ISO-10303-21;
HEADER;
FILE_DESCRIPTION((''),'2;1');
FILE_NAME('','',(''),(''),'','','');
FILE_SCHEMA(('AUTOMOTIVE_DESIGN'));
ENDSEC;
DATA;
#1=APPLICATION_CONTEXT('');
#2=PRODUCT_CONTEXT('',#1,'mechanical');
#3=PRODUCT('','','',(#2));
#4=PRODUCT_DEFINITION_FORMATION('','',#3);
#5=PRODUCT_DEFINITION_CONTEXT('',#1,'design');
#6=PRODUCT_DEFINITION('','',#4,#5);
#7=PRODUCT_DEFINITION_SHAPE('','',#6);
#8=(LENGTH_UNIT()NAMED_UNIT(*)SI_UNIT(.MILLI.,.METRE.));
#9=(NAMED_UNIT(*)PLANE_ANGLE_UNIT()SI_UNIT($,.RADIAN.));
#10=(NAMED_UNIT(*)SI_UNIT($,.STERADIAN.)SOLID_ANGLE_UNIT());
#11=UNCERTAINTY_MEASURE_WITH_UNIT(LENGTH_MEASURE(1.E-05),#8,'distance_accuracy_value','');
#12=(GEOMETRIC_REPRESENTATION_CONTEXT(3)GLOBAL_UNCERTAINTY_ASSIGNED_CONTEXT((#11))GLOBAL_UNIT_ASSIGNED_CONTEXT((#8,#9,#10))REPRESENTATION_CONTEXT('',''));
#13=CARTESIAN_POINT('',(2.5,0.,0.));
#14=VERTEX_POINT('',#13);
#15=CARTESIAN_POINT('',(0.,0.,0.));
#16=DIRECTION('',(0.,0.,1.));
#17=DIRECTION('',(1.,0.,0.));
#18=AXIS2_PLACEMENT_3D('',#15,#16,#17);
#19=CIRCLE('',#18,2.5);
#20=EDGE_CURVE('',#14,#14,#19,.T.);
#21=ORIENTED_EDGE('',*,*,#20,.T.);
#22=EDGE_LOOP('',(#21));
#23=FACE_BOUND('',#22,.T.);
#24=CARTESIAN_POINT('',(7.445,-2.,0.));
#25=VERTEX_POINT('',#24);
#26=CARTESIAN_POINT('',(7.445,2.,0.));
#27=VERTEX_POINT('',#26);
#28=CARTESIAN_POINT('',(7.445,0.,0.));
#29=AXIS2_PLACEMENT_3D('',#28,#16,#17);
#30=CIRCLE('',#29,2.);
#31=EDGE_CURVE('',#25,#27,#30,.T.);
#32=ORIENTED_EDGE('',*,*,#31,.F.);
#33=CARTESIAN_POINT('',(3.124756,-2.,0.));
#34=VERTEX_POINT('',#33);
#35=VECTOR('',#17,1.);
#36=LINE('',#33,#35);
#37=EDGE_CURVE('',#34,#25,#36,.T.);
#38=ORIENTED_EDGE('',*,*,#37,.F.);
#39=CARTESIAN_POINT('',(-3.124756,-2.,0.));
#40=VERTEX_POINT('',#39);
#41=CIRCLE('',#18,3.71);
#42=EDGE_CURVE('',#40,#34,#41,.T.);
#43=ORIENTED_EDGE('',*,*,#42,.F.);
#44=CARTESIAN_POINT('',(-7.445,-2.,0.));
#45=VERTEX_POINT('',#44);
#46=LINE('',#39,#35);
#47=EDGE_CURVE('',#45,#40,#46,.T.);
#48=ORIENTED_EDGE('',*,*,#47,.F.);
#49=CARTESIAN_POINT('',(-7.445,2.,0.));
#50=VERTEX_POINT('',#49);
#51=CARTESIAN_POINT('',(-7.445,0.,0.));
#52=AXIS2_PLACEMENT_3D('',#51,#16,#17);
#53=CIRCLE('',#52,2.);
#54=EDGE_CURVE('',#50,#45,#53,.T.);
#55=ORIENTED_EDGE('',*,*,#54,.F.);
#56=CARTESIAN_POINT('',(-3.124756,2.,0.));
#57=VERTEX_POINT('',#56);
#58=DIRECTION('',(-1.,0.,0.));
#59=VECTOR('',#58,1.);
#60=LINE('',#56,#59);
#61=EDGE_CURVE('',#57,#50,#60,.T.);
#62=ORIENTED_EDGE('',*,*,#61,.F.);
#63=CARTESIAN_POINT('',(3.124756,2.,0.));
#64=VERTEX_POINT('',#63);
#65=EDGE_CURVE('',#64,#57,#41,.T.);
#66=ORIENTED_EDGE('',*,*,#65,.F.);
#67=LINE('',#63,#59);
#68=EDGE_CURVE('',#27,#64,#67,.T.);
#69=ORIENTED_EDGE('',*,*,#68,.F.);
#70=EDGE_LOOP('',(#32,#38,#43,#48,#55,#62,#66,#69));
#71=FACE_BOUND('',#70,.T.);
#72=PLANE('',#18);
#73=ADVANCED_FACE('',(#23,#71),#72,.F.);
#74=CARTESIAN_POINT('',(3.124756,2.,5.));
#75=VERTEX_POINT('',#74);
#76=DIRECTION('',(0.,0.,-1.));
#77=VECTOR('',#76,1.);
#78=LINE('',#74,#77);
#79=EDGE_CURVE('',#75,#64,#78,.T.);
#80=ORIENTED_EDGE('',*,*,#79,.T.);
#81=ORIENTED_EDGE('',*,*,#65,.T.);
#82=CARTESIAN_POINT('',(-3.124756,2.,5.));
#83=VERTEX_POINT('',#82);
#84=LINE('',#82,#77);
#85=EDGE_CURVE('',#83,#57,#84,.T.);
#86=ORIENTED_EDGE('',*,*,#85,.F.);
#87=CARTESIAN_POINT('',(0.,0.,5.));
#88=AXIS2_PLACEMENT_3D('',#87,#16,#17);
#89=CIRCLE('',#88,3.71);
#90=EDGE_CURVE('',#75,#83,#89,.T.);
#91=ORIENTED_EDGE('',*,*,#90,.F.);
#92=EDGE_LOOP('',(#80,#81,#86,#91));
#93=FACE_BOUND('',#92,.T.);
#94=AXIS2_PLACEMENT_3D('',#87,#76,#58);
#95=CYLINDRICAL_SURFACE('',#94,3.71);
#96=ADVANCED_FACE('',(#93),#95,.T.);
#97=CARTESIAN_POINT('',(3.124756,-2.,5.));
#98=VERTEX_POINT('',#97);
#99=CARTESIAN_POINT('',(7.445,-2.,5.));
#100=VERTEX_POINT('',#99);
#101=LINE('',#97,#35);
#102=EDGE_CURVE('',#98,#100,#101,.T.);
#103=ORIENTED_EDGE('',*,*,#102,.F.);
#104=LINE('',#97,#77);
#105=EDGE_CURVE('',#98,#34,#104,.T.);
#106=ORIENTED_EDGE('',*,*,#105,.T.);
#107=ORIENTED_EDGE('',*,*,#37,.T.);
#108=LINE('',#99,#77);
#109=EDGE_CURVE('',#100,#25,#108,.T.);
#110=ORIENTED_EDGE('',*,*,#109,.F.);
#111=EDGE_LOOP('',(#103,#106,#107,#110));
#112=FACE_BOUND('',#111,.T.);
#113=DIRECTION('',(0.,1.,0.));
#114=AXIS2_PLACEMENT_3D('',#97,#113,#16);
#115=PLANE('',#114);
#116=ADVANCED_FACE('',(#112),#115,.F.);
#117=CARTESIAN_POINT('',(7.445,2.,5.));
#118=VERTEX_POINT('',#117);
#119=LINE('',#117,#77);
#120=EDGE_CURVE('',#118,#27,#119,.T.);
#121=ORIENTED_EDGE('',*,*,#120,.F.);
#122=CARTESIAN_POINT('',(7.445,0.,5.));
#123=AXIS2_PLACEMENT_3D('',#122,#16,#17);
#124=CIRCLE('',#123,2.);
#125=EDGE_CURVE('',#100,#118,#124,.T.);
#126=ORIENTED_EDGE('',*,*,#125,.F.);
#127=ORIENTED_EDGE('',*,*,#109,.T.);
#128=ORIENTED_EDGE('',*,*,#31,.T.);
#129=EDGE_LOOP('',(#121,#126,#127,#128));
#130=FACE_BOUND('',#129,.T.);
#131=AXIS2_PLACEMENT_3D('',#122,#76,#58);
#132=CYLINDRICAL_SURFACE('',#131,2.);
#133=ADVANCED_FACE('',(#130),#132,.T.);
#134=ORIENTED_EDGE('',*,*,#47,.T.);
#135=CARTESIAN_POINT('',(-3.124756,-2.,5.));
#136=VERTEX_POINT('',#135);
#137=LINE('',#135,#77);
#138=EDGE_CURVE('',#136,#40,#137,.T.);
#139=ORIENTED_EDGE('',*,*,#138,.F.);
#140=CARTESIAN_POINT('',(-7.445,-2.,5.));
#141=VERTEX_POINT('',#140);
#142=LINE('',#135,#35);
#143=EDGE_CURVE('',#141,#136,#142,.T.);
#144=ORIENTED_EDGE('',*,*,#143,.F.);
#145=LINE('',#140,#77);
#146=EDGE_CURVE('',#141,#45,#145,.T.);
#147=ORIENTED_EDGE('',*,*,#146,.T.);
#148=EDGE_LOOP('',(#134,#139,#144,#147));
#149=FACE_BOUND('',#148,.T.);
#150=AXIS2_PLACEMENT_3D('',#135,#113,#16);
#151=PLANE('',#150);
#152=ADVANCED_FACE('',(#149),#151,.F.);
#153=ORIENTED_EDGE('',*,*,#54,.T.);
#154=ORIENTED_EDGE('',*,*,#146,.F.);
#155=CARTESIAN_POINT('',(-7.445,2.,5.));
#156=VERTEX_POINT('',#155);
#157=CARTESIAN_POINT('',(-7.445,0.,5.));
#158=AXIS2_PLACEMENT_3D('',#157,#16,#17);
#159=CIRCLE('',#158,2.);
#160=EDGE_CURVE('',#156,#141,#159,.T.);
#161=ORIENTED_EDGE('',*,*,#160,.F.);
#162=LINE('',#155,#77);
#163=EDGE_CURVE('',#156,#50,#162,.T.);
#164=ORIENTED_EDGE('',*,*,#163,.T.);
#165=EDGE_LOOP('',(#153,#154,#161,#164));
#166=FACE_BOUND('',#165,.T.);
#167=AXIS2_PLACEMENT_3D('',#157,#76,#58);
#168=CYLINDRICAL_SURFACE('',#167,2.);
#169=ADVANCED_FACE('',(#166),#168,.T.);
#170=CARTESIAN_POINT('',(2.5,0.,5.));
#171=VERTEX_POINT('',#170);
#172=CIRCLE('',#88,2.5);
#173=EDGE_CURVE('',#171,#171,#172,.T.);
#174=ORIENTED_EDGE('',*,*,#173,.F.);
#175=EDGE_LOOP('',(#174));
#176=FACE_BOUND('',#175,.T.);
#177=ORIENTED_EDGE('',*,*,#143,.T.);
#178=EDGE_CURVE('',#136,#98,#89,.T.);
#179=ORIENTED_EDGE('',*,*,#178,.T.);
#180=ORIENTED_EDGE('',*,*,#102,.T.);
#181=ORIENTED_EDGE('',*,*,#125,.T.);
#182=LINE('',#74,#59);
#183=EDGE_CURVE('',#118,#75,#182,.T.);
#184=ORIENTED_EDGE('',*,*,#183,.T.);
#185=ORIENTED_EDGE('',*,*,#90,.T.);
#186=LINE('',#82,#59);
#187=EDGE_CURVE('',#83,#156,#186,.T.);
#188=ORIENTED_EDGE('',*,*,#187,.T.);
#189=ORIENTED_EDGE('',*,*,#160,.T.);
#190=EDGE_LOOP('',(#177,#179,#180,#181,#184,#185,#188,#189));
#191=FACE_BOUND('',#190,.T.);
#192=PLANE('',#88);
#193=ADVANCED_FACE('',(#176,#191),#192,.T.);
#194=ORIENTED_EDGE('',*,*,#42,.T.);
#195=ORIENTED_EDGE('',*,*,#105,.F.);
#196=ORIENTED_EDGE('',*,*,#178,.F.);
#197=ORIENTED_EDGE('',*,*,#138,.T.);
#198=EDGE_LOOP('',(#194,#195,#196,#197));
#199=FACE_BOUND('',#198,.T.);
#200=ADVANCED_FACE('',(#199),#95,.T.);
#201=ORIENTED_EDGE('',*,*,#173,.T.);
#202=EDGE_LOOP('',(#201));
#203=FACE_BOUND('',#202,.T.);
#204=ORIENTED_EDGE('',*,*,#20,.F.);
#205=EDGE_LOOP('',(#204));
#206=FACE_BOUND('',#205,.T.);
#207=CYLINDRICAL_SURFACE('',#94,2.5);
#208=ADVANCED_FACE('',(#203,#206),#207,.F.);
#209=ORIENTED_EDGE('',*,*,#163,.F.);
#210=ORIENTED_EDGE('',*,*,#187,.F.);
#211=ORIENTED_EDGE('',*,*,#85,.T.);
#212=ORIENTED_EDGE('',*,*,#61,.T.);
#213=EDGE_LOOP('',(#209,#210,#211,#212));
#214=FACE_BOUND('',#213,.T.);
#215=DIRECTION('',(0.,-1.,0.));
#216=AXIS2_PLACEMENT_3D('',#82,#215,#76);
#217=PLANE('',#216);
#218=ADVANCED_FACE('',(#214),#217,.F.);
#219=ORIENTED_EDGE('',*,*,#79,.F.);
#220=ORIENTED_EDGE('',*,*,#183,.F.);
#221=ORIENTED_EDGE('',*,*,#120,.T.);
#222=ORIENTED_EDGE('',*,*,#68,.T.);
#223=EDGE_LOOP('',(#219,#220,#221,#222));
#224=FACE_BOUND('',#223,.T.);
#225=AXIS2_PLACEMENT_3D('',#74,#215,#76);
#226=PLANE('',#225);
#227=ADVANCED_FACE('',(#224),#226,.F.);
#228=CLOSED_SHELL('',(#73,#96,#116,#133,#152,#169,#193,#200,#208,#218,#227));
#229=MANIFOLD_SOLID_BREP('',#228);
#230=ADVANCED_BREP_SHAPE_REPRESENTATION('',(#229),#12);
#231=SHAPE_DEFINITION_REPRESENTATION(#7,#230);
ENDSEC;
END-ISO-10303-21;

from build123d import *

# Parameters (mm, degrees)
SKETCH1_R           = 2.5
BOSS_EXTRUDE1_DEPTH = 5


with BuildPart() as part:
    # Sketch1 → Boss-Extrude1 (new body)
    with BuildSketch(Plane.XY):
        with BuildLine():
            Line((3.12475599, -2), (7.445, -2))
            ThreePointArc((7.445, -2), (9.445, 0), (7.445, 2))
            Line((7.445, 2), (3.12475599, 2))
            ThreePointArc((3.12475599, 2), (0, 3.71), (-3.12475599, 2))
            Line((-3.12475599, 2), (-7.445, 2))
            ThreePointArc((-7.445, 2), (-9.445, 0), (-7.445, -2))
            Line((-7.445, -2), (-3.12475599, -2))
            ThreePointArc((-3.12475599, -2), (0, -3.71), (3.12475599, -2))
        make_face()
        Circle(SKETCH1_R, mode=Mode.SUBTRACT)
    extrude(amount=BOSS_EXTRUDE1_DEPTH)


solid = part.part
